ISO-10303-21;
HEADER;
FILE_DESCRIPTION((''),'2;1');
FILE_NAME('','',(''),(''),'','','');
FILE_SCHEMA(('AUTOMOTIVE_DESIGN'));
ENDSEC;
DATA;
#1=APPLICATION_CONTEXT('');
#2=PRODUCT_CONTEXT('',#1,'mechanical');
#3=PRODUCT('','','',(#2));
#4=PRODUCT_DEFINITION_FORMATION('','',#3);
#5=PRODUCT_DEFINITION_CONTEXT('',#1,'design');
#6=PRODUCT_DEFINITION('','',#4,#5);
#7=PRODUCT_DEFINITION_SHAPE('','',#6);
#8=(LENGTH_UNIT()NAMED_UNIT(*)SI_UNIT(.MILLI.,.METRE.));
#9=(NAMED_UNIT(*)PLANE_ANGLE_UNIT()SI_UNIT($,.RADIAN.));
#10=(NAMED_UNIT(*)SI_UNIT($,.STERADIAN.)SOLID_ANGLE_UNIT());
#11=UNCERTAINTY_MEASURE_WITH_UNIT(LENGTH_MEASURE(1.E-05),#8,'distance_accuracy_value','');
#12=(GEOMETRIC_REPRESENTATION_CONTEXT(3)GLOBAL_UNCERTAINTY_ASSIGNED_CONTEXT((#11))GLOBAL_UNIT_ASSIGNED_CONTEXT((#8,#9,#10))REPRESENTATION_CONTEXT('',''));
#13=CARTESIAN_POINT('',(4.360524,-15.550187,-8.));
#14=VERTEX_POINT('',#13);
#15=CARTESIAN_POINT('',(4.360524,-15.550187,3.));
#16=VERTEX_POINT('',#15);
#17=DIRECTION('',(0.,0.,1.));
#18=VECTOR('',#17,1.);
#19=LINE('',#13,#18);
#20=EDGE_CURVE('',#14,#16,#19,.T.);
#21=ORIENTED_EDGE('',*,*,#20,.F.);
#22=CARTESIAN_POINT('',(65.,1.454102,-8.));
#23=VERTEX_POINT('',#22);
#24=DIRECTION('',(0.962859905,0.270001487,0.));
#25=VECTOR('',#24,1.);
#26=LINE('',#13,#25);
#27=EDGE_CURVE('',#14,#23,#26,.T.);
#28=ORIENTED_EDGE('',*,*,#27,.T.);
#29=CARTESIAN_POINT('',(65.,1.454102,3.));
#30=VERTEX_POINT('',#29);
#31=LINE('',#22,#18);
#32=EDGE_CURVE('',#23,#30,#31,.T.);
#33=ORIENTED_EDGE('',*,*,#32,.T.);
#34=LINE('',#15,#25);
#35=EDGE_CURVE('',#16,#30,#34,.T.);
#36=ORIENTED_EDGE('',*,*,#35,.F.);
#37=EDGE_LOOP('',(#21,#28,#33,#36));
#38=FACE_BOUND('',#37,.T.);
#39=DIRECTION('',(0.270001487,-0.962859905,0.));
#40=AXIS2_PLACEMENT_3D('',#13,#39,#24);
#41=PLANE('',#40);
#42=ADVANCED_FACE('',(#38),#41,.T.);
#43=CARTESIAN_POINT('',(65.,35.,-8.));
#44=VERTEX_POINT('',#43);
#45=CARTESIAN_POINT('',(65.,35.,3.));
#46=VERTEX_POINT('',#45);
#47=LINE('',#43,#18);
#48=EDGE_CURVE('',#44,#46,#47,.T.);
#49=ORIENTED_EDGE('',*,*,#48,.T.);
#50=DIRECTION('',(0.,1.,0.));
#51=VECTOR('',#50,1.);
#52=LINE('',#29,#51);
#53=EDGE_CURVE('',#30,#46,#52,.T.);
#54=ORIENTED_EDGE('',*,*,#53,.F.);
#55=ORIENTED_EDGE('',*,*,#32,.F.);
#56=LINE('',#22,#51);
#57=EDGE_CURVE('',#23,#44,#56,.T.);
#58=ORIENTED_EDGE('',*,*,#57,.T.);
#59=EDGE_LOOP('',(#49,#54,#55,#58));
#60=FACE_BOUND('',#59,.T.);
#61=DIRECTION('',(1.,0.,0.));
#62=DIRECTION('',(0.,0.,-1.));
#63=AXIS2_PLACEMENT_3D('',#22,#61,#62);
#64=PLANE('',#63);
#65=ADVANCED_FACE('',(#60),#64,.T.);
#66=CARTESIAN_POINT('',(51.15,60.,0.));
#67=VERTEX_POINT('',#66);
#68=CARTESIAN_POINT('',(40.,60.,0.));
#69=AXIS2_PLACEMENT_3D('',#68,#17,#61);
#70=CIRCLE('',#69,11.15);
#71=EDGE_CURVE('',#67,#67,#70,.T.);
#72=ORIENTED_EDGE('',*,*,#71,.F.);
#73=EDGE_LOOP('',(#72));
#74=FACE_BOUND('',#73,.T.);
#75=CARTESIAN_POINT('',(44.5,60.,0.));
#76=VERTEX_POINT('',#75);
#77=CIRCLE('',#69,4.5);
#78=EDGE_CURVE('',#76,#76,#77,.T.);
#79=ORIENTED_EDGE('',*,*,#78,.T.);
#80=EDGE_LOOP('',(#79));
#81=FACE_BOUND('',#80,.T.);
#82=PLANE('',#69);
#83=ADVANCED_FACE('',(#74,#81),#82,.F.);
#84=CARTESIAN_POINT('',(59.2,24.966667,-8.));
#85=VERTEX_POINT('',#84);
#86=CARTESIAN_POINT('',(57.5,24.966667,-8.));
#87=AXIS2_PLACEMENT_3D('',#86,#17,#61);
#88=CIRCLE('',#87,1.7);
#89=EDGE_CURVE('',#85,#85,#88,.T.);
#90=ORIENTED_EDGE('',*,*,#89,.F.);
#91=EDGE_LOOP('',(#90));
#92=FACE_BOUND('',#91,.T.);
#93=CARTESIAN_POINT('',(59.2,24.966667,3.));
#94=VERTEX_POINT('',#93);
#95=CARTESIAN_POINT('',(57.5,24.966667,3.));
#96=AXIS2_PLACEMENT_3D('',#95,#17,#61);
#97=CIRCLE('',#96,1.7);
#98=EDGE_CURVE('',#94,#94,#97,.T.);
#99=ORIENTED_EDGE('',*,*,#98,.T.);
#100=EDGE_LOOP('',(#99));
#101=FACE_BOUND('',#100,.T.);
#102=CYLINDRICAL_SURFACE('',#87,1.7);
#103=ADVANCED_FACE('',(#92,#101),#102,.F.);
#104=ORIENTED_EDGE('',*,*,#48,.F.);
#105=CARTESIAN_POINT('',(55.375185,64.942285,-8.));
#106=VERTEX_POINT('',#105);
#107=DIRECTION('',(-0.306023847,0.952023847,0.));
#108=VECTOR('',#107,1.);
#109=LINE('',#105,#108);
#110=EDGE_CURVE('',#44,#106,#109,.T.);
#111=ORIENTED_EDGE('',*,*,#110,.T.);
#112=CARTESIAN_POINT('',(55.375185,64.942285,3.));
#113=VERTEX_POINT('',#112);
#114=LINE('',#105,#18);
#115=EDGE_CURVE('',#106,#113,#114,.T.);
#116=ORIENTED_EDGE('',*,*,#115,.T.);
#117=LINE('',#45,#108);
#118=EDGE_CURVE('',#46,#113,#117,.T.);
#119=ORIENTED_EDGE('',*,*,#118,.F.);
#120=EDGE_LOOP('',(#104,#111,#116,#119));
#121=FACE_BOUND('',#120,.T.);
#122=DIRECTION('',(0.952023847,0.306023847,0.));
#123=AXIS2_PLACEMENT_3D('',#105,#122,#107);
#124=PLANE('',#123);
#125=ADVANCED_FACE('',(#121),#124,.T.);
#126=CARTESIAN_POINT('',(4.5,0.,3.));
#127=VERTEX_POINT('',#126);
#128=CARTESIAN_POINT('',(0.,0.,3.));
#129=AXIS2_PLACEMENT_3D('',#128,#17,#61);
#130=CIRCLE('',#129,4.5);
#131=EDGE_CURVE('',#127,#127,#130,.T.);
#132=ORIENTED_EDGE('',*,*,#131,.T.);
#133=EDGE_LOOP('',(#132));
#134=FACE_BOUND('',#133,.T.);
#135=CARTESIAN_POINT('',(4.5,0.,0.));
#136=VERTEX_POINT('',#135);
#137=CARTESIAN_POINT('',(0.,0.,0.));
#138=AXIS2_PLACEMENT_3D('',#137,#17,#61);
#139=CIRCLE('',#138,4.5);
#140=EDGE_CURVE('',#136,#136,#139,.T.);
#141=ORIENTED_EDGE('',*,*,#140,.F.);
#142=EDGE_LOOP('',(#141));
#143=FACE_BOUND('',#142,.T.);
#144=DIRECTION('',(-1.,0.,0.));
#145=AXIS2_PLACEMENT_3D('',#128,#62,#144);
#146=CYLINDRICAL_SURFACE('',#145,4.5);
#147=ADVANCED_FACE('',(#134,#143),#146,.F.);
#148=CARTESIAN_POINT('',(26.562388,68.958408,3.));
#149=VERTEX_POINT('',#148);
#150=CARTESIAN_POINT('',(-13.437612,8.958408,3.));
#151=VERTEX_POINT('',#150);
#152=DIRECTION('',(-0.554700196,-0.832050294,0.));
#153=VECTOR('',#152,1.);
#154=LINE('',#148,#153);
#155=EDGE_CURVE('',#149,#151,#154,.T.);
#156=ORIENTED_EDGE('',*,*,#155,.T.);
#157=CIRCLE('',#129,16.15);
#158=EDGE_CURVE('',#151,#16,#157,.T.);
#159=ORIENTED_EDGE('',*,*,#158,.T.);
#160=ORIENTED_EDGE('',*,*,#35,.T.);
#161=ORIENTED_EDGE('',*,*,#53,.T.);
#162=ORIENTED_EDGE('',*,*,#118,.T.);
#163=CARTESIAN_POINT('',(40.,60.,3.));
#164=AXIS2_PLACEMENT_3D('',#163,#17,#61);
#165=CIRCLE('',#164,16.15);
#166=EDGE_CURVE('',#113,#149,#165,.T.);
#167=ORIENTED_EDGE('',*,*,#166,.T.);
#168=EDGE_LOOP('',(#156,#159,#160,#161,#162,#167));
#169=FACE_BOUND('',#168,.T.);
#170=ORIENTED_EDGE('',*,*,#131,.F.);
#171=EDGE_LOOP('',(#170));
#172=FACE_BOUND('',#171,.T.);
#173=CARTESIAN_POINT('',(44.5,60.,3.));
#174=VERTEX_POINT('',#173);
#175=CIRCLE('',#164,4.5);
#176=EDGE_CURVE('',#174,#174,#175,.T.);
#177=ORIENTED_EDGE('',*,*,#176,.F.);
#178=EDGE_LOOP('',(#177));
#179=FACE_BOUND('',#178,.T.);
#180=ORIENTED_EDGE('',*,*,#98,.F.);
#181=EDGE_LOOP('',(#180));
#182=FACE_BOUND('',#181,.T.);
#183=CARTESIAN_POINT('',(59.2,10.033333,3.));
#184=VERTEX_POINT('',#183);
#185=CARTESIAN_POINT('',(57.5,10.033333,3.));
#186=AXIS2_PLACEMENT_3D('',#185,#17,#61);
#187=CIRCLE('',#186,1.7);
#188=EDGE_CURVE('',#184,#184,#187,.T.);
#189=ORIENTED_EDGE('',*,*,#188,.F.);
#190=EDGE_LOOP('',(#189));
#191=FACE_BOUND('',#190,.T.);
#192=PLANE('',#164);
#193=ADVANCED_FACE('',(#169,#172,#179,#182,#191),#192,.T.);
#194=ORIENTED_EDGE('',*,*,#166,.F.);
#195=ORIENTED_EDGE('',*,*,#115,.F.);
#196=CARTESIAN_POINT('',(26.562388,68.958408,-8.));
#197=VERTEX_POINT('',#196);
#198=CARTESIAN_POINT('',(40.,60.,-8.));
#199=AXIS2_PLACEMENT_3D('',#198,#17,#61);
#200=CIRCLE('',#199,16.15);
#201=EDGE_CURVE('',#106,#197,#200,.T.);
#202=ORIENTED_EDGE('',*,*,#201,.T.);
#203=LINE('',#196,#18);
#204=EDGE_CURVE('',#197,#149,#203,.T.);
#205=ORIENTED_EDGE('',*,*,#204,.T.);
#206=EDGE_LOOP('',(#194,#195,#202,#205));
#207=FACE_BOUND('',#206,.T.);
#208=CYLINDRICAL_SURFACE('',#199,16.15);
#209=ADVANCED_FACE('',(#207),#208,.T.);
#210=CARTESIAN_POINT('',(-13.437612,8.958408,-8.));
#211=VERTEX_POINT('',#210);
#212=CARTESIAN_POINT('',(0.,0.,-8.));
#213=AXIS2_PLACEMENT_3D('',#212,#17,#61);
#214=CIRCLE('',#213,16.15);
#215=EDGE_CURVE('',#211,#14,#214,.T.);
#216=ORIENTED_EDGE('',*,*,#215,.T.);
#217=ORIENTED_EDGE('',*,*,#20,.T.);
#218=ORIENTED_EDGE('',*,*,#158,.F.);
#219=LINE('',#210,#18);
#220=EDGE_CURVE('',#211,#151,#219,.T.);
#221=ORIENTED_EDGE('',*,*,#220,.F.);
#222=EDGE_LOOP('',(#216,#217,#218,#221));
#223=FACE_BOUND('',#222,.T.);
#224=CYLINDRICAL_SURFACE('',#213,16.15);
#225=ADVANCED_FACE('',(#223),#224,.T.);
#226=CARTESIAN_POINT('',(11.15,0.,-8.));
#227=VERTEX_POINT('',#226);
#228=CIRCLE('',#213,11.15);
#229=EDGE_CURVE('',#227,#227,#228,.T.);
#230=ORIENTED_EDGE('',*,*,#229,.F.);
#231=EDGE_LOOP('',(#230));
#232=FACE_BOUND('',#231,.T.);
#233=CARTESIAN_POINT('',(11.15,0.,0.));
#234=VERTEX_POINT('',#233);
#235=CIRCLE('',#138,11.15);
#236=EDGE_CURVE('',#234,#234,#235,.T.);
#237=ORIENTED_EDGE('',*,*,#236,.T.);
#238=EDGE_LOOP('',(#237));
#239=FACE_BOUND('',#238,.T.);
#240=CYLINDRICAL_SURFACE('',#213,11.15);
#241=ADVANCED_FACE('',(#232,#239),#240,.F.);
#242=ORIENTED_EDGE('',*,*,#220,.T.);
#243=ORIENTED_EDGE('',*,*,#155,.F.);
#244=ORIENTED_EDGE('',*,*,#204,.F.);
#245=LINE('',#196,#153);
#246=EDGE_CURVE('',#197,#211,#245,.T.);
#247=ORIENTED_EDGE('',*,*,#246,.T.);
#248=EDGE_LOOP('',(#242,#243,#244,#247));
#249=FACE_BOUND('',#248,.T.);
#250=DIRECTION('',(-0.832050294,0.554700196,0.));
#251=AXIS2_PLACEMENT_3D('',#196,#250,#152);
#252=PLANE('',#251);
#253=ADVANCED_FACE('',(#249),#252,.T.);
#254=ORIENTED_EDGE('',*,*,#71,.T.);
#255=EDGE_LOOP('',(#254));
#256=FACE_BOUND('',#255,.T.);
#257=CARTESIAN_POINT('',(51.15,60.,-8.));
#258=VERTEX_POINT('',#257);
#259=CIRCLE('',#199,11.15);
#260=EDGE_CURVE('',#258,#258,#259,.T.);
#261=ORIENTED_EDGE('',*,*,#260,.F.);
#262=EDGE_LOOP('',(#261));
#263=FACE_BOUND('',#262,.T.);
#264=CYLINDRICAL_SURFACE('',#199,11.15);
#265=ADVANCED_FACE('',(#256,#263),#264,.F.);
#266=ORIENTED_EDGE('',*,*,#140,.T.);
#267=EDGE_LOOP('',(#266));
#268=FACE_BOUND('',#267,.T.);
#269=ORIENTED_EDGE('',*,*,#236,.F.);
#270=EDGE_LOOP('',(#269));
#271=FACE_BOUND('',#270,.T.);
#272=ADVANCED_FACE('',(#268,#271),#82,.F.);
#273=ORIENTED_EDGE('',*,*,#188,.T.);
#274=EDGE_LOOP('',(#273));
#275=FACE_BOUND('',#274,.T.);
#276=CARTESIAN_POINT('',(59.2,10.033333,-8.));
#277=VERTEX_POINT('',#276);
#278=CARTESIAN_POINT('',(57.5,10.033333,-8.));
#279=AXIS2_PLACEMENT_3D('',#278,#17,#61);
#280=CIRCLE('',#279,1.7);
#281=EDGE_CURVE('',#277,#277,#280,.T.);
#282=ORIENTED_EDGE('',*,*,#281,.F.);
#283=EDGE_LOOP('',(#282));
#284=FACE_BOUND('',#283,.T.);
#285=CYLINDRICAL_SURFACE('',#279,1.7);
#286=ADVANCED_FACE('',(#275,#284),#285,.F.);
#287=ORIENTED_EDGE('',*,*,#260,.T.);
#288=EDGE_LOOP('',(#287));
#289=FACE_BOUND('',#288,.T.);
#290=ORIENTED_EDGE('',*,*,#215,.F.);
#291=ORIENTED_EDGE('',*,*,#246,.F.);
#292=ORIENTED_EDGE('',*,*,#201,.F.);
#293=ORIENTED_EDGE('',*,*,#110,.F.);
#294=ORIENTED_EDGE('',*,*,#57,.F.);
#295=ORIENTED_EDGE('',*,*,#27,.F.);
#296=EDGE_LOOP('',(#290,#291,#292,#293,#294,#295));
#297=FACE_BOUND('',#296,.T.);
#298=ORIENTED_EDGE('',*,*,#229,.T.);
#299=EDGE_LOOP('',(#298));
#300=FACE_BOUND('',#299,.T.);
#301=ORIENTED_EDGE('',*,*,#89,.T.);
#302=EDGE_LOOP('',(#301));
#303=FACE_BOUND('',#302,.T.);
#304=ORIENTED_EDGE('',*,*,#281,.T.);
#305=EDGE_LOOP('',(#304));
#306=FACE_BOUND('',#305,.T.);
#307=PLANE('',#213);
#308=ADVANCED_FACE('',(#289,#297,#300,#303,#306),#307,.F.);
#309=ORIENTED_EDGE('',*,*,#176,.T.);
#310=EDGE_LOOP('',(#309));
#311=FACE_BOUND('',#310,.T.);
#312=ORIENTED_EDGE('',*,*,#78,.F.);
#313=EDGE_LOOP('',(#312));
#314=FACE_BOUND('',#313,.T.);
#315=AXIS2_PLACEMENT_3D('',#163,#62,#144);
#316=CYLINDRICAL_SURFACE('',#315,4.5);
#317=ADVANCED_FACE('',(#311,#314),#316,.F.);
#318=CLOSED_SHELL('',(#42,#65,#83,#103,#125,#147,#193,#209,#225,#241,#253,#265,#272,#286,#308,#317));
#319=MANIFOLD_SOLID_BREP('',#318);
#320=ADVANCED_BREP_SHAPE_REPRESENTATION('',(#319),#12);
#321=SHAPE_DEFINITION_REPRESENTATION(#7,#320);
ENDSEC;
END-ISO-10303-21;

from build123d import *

# Parameters (mm, degrees)
SKETCH1_R           = 11.15
SKETCH1_R_2         = 1.7
BOSS_EXTRUDE1_DEPTH = 8
BOSS_EXTRUDE2_START = 3
SKETCH2_R           = 4.5
SKETCH2_R_2         = 1.7
BOSS_EXTRUDE2_DEPTH = 3


with BuildPart() as part:
    # Sketch1 → Boss-Extrude1 (new body)
    with BuildSketch(Plane.XY):
        with BuildLine():
            Line((65, 1.454102171), (65, 35))
            Line((65, 35), (55.375185128, 64.942285128))
            ThreePointArc((55.375185128, 64.942285128), (42.229542157, 75.995363133), (26.562387746, 68.958408169))
            Line((26.562387746, 68.958408169), (-13.437612254, 8.958408169))
            ThreePointArc((-13.437612254, 8.958408169), (-13.067754119, -9.489799908), (4.360524021, -15.550187467))
            Line((4.360524021, -15.550187467), (65, 1.454102171))
        make_face()
        Circle(SKETCH1_R, mode=Mode.SUBTRACT)
        with Locations((57.5, 24.966666667)):
            Circle(SKETCH1_R_2, mode=Mode.SUBTRACT)
        with Locations((57.5, 10.033333333)):
            Circle(SKETCH1_R_2, mode=Mode.SUBTRACT)
        with Locations((40, 60)):
            Circle(SKETCH1_R, mode=Mode.SUBTRACT)
    extrude(amount=-BOSS_EXTRUDE1_DEPTH)

    # Sketch2 → Boss-Extrude2 (add)
    with BuildSketch(Plane.XY.offset(BOSS_EXTRUDE2_START)):
        with BuildLine():
            Line((4.360524021, -15.550187467), (65, 1.454102171))
            Line((65, 1.454102171), (65, 35))
            Line((65, 35), (55.375185128, 64.942285128))
            ThreePointArc((55.375185128, 64.942285128), (42.229542157, 75.995363133), (26.562387746, 68.958408169))
            Line((26.562387746, 68.958408169), (-13.437612254, 8.958408169))
            ThreePointArc((-13.437612254, 8.958408169), (-13.067754119, -9.489799908), (4.360524021, -15.550187467))
        make_face()
        Circle(SKETCH2_R, mode=Mode.SUBTRACT)
        with Locations((57.5, 24.966666667)):
            Circle(SKETCH2_R_2, mode=Mode.SUBTRACT)
        with Locations((57.5, 10.033333333)):
            Circle(SKETCH2_R_2, mode=Mode.SUBTRACT)
        with Locations((40, 60)):
            Circle(SKETCH2_R, mode=Mode.SUBTRACT)
    extrude(amount=-BOSS_EXTRUDE2_DEPTH)


solid = part.part
